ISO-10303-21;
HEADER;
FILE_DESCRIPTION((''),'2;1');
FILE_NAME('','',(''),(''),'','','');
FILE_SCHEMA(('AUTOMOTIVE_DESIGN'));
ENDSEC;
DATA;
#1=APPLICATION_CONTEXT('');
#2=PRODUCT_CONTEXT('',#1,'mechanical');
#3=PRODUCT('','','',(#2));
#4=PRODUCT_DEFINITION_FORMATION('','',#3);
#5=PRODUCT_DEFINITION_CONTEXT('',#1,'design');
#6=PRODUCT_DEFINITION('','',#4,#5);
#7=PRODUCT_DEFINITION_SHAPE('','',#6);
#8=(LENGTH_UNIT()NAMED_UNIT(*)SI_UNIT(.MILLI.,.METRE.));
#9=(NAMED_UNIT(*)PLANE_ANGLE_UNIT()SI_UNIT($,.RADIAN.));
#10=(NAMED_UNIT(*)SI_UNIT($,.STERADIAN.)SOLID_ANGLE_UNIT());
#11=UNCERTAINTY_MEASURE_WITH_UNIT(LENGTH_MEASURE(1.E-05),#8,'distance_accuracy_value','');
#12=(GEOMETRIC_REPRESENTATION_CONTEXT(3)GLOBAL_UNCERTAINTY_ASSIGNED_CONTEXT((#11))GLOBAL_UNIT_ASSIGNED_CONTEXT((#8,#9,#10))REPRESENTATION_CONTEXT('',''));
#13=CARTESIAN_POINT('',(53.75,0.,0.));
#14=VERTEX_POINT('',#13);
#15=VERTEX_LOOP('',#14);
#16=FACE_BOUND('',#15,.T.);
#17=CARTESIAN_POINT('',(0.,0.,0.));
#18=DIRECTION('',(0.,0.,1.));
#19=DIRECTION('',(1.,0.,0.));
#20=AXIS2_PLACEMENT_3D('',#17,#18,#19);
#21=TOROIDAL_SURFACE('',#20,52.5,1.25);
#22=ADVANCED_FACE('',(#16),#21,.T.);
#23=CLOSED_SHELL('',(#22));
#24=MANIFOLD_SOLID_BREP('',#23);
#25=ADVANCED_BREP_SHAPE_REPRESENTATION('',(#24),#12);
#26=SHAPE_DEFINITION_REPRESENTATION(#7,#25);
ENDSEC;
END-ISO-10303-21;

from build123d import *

# Parameters (mm, degrees)
SKETCH1_R = 1.25


with BuildPart() as part:
    # Sketch1 → Revolve1 (revolve)
    with BuildSketch(Plane(origin=(0, 0, 0), x_dir=(0, 0, -1), z_dir=(1, 0, 0)), mode=Mode.PRIVATE) as revolve1_sk:
        with Locations((0, 52.5)):
            Circle(SKETCH1_R)
    revolve(revolve1_sk.sketch.rotate(Axis((0, 0, 2.535396742), (0, 0, -1)), 90), axis=Axis((0, 0, 2.535396742), (0, 0, -1)))


solid = part.part
